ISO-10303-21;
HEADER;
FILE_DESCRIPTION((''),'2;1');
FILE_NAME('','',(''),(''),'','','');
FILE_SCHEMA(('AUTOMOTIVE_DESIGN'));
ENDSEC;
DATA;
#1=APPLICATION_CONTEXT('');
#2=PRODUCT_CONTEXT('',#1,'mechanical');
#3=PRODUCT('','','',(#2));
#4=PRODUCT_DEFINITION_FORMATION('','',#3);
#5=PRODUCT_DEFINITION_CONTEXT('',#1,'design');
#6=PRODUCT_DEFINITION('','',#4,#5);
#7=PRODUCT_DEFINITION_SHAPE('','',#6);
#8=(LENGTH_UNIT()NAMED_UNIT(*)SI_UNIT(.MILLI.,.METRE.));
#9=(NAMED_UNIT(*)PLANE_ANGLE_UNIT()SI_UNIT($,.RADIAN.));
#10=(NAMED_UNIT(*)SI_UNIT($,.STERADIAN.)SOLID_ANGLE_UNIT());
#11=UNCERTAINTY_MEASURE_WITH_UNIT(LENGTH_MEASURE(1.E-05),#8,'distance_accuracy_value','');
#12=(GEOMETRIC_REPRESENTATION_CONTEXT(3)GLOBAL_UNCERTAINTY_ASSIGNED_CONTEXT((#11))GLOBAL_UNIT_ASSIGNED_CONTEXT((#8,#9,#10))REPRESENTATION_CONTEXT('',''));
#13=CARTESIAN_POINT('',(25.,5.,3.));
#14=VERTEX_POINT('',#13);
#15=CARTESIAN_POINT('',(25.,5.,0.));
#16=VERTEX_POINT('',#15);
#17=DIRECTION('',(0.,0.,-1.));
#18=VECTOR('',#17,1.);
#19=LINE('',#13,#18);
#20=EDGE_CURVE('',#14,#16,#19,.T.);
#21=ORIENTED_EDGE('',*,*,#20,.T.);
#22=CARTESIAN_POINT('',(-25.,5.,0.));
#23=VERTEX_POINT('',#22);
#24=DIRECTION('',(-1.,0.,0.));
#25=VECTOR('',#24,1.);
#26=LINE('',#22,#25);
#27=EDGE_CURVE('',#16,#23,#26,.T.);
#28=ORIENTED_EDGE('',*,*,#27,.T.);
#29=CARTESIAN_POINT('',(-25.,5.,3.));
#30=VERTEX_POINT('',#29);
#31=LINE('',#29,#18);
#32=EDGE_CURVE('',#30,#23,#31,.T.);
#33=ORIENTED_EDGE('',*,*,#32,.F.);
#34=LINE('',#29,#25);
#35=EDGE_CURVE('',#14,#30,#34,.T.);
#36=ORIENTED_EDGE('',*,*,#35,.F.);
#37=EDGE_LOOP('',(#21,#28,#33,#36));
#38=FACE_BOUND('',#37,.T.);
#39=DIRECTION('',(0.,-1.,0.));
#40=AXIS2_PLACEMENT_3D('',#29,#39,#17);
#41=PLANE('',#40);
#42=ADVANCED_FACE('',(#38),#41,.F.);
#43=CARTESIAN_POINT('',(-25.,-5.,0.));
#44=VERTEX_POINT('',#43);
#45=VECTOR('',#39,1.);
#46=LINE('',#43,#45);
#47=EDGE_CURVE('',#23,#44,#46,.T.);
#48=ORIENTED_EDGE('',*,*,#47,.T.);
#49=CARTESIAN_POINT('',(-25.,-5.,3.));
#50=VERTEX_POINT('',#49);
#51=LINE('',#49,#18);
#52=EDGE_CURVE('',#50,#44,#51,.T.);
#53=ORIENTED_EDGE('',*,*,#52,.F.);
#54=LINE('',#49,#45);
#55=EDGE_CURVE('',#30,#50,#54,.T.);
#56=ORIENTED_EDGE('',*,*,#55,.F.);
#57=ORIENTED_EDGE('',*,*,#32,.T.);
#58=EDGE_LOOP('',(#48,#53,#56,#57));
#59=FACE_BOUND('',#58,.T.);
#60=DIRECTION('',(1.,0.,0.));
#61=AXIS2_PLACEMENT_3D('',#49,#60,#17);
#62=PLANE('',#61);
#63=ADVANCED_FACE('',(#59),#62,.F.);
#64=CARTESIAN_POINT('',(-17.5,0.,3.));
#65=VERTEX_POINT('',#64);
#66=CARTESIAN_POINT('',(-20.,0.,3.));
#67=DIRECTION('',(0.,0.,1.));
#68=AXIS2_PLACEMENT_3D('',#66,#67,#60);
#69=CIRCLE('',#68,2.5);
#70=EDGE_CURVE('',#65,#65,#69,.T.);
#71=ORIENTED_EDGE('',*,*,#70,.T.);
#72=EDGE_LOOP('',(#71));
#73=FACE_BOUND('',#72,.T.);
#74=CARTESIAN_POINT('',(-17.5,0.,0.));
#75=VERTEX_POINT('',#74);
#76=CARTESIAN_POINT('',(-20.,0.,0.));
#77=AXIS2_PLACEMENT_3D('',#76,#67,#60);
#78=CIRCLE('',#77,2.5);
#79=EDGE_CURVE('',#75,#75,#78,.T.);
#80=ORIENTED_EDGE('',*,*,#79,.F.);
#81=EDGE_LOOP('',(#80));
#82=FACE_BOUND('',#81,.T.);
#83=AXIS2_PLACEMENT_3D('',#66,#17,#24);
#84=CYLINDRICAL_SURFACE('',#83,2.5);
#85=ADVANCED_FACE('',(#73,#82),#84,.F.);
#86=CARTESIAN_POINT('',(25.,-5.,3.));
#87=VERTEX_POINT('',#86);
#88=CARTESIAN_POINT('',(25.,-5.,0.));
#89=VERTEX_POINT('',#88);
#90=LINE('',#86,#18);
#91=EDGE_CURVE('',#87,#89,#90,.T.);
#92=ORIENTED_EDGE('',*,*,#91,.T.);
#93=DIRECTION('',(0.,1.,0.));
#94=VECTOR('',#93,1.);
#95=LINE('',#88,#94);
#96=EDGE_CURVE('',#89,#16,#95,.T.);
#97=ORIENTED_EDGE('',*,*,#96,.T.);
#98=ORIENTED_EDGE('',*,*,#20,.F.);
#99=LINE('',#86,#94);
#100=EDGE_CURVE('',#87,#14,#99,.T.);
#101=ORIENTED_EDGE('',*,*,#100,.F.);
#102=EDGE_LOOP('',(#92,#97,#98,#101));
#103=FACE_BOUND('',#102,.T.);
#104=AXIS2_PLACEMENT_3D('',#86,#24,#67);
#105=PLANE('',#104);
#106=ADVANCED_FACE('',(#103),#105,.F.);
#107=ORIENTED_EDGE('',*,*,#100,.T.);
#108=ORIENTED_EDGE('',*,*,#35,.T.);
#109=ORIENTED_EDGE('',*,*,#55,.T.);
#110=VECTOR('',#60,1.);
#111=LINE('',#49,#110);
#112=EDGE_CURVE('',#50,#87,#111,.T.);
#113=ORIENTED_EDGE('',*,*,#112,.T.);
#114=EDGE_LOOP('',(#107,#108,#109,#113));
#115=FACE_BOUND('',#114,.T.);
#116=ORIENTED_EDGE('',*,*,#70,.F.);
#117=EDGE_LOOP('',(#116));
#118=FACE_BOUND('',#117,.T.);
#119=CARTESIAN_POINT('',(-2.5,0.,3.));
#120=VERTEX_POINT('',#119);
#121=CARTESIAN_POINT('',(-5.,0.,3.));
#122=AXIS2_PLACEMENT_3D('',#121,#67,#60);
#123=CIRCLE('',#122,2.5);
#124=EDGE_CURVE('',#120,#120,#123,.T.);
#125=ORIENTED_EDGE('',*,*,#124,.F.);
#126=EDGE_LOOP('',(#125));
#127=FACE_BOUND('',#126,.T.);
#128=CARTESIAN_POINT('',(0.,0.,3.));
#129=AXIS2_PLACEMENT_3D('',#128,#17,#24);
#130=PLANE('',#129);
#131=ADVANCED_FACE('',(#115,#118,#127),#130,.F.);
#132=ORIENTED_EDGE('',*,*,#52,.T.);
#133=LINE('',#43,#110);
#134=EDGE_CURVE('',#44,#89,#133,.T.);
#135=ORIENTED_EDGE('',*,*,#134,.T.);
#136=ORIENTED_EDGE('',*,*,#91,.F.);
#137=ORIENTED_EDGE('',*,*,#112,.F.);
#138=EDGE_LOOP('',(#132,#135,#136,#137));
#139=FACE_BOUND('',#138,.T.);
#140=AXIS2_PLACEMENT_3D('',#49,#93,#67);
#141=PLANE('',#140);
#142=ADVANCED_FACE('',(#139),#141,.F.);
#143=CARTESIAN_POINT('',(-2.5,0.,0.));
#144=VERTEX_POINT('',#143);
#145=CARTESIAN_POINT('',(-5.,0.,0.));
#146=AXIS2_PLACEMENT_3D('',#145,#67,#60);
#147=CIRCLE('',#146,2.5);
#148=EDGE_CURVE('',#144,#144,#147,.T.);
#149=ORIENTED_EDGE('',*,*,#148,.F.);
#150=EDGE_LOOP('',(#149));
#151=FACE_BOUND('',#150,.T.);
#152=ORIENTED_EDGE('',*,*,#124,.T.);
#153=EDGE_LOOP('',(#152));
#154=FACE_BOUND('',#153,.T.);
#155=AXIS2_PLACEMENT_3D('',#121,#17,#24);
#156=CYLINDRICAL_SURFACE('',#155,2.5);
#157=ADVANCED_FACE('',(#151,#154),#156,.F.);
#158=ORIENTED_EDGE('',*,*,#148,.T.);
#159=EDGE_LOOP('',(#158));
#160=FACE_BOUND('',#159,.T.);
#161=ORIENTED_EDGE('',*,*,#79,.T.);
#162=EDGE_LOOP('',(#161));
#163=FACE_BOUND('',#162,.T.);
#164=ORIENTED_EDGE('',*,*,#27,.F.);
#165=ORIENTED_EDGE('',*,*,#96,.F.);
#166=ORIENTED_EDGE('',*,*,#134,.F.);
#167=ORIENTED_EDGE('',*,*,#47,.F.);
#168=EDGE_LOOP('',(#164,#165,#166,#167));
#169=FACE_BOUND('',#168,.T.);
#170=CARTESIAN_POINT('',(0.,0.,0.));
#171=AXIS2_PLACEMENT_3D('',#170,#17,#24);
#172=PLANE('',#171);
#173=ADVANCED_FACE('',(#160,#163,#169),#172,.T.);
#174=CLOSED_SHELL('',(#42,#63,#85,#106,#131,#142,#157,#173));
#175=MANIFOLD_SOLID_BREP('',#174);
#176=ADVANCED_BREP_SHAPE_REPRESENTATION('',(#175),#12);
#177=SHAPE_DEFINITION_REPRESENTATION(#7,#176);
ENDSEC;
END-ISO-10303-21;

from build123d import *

# Parameters (mm, degrees)
SKETCH_1_W      = 50
SKETCH_1_H      = 10
SKETCH_1_R      = 2.5
EXTRUDE_1_DEPTH = 3


with BuildPart() as part:
    # 草圖1 → 填料-伸長1 (new body)
    with BuildSketch(Plane.XY):
        Rectangle(SKETCH_1_W, SKETCH_1_H)
        with Locations((-20, 0)):
            Circle(SKETCH_1_R, mode=Mode.SUBTRACT)
        with Locations((-5, 0)):
            Circle(SKETCH_1_R, mode=Mode.SUBTRACT)
    extrude(amount=EXTRUDE_1_DEPTH)


solid = part.part
